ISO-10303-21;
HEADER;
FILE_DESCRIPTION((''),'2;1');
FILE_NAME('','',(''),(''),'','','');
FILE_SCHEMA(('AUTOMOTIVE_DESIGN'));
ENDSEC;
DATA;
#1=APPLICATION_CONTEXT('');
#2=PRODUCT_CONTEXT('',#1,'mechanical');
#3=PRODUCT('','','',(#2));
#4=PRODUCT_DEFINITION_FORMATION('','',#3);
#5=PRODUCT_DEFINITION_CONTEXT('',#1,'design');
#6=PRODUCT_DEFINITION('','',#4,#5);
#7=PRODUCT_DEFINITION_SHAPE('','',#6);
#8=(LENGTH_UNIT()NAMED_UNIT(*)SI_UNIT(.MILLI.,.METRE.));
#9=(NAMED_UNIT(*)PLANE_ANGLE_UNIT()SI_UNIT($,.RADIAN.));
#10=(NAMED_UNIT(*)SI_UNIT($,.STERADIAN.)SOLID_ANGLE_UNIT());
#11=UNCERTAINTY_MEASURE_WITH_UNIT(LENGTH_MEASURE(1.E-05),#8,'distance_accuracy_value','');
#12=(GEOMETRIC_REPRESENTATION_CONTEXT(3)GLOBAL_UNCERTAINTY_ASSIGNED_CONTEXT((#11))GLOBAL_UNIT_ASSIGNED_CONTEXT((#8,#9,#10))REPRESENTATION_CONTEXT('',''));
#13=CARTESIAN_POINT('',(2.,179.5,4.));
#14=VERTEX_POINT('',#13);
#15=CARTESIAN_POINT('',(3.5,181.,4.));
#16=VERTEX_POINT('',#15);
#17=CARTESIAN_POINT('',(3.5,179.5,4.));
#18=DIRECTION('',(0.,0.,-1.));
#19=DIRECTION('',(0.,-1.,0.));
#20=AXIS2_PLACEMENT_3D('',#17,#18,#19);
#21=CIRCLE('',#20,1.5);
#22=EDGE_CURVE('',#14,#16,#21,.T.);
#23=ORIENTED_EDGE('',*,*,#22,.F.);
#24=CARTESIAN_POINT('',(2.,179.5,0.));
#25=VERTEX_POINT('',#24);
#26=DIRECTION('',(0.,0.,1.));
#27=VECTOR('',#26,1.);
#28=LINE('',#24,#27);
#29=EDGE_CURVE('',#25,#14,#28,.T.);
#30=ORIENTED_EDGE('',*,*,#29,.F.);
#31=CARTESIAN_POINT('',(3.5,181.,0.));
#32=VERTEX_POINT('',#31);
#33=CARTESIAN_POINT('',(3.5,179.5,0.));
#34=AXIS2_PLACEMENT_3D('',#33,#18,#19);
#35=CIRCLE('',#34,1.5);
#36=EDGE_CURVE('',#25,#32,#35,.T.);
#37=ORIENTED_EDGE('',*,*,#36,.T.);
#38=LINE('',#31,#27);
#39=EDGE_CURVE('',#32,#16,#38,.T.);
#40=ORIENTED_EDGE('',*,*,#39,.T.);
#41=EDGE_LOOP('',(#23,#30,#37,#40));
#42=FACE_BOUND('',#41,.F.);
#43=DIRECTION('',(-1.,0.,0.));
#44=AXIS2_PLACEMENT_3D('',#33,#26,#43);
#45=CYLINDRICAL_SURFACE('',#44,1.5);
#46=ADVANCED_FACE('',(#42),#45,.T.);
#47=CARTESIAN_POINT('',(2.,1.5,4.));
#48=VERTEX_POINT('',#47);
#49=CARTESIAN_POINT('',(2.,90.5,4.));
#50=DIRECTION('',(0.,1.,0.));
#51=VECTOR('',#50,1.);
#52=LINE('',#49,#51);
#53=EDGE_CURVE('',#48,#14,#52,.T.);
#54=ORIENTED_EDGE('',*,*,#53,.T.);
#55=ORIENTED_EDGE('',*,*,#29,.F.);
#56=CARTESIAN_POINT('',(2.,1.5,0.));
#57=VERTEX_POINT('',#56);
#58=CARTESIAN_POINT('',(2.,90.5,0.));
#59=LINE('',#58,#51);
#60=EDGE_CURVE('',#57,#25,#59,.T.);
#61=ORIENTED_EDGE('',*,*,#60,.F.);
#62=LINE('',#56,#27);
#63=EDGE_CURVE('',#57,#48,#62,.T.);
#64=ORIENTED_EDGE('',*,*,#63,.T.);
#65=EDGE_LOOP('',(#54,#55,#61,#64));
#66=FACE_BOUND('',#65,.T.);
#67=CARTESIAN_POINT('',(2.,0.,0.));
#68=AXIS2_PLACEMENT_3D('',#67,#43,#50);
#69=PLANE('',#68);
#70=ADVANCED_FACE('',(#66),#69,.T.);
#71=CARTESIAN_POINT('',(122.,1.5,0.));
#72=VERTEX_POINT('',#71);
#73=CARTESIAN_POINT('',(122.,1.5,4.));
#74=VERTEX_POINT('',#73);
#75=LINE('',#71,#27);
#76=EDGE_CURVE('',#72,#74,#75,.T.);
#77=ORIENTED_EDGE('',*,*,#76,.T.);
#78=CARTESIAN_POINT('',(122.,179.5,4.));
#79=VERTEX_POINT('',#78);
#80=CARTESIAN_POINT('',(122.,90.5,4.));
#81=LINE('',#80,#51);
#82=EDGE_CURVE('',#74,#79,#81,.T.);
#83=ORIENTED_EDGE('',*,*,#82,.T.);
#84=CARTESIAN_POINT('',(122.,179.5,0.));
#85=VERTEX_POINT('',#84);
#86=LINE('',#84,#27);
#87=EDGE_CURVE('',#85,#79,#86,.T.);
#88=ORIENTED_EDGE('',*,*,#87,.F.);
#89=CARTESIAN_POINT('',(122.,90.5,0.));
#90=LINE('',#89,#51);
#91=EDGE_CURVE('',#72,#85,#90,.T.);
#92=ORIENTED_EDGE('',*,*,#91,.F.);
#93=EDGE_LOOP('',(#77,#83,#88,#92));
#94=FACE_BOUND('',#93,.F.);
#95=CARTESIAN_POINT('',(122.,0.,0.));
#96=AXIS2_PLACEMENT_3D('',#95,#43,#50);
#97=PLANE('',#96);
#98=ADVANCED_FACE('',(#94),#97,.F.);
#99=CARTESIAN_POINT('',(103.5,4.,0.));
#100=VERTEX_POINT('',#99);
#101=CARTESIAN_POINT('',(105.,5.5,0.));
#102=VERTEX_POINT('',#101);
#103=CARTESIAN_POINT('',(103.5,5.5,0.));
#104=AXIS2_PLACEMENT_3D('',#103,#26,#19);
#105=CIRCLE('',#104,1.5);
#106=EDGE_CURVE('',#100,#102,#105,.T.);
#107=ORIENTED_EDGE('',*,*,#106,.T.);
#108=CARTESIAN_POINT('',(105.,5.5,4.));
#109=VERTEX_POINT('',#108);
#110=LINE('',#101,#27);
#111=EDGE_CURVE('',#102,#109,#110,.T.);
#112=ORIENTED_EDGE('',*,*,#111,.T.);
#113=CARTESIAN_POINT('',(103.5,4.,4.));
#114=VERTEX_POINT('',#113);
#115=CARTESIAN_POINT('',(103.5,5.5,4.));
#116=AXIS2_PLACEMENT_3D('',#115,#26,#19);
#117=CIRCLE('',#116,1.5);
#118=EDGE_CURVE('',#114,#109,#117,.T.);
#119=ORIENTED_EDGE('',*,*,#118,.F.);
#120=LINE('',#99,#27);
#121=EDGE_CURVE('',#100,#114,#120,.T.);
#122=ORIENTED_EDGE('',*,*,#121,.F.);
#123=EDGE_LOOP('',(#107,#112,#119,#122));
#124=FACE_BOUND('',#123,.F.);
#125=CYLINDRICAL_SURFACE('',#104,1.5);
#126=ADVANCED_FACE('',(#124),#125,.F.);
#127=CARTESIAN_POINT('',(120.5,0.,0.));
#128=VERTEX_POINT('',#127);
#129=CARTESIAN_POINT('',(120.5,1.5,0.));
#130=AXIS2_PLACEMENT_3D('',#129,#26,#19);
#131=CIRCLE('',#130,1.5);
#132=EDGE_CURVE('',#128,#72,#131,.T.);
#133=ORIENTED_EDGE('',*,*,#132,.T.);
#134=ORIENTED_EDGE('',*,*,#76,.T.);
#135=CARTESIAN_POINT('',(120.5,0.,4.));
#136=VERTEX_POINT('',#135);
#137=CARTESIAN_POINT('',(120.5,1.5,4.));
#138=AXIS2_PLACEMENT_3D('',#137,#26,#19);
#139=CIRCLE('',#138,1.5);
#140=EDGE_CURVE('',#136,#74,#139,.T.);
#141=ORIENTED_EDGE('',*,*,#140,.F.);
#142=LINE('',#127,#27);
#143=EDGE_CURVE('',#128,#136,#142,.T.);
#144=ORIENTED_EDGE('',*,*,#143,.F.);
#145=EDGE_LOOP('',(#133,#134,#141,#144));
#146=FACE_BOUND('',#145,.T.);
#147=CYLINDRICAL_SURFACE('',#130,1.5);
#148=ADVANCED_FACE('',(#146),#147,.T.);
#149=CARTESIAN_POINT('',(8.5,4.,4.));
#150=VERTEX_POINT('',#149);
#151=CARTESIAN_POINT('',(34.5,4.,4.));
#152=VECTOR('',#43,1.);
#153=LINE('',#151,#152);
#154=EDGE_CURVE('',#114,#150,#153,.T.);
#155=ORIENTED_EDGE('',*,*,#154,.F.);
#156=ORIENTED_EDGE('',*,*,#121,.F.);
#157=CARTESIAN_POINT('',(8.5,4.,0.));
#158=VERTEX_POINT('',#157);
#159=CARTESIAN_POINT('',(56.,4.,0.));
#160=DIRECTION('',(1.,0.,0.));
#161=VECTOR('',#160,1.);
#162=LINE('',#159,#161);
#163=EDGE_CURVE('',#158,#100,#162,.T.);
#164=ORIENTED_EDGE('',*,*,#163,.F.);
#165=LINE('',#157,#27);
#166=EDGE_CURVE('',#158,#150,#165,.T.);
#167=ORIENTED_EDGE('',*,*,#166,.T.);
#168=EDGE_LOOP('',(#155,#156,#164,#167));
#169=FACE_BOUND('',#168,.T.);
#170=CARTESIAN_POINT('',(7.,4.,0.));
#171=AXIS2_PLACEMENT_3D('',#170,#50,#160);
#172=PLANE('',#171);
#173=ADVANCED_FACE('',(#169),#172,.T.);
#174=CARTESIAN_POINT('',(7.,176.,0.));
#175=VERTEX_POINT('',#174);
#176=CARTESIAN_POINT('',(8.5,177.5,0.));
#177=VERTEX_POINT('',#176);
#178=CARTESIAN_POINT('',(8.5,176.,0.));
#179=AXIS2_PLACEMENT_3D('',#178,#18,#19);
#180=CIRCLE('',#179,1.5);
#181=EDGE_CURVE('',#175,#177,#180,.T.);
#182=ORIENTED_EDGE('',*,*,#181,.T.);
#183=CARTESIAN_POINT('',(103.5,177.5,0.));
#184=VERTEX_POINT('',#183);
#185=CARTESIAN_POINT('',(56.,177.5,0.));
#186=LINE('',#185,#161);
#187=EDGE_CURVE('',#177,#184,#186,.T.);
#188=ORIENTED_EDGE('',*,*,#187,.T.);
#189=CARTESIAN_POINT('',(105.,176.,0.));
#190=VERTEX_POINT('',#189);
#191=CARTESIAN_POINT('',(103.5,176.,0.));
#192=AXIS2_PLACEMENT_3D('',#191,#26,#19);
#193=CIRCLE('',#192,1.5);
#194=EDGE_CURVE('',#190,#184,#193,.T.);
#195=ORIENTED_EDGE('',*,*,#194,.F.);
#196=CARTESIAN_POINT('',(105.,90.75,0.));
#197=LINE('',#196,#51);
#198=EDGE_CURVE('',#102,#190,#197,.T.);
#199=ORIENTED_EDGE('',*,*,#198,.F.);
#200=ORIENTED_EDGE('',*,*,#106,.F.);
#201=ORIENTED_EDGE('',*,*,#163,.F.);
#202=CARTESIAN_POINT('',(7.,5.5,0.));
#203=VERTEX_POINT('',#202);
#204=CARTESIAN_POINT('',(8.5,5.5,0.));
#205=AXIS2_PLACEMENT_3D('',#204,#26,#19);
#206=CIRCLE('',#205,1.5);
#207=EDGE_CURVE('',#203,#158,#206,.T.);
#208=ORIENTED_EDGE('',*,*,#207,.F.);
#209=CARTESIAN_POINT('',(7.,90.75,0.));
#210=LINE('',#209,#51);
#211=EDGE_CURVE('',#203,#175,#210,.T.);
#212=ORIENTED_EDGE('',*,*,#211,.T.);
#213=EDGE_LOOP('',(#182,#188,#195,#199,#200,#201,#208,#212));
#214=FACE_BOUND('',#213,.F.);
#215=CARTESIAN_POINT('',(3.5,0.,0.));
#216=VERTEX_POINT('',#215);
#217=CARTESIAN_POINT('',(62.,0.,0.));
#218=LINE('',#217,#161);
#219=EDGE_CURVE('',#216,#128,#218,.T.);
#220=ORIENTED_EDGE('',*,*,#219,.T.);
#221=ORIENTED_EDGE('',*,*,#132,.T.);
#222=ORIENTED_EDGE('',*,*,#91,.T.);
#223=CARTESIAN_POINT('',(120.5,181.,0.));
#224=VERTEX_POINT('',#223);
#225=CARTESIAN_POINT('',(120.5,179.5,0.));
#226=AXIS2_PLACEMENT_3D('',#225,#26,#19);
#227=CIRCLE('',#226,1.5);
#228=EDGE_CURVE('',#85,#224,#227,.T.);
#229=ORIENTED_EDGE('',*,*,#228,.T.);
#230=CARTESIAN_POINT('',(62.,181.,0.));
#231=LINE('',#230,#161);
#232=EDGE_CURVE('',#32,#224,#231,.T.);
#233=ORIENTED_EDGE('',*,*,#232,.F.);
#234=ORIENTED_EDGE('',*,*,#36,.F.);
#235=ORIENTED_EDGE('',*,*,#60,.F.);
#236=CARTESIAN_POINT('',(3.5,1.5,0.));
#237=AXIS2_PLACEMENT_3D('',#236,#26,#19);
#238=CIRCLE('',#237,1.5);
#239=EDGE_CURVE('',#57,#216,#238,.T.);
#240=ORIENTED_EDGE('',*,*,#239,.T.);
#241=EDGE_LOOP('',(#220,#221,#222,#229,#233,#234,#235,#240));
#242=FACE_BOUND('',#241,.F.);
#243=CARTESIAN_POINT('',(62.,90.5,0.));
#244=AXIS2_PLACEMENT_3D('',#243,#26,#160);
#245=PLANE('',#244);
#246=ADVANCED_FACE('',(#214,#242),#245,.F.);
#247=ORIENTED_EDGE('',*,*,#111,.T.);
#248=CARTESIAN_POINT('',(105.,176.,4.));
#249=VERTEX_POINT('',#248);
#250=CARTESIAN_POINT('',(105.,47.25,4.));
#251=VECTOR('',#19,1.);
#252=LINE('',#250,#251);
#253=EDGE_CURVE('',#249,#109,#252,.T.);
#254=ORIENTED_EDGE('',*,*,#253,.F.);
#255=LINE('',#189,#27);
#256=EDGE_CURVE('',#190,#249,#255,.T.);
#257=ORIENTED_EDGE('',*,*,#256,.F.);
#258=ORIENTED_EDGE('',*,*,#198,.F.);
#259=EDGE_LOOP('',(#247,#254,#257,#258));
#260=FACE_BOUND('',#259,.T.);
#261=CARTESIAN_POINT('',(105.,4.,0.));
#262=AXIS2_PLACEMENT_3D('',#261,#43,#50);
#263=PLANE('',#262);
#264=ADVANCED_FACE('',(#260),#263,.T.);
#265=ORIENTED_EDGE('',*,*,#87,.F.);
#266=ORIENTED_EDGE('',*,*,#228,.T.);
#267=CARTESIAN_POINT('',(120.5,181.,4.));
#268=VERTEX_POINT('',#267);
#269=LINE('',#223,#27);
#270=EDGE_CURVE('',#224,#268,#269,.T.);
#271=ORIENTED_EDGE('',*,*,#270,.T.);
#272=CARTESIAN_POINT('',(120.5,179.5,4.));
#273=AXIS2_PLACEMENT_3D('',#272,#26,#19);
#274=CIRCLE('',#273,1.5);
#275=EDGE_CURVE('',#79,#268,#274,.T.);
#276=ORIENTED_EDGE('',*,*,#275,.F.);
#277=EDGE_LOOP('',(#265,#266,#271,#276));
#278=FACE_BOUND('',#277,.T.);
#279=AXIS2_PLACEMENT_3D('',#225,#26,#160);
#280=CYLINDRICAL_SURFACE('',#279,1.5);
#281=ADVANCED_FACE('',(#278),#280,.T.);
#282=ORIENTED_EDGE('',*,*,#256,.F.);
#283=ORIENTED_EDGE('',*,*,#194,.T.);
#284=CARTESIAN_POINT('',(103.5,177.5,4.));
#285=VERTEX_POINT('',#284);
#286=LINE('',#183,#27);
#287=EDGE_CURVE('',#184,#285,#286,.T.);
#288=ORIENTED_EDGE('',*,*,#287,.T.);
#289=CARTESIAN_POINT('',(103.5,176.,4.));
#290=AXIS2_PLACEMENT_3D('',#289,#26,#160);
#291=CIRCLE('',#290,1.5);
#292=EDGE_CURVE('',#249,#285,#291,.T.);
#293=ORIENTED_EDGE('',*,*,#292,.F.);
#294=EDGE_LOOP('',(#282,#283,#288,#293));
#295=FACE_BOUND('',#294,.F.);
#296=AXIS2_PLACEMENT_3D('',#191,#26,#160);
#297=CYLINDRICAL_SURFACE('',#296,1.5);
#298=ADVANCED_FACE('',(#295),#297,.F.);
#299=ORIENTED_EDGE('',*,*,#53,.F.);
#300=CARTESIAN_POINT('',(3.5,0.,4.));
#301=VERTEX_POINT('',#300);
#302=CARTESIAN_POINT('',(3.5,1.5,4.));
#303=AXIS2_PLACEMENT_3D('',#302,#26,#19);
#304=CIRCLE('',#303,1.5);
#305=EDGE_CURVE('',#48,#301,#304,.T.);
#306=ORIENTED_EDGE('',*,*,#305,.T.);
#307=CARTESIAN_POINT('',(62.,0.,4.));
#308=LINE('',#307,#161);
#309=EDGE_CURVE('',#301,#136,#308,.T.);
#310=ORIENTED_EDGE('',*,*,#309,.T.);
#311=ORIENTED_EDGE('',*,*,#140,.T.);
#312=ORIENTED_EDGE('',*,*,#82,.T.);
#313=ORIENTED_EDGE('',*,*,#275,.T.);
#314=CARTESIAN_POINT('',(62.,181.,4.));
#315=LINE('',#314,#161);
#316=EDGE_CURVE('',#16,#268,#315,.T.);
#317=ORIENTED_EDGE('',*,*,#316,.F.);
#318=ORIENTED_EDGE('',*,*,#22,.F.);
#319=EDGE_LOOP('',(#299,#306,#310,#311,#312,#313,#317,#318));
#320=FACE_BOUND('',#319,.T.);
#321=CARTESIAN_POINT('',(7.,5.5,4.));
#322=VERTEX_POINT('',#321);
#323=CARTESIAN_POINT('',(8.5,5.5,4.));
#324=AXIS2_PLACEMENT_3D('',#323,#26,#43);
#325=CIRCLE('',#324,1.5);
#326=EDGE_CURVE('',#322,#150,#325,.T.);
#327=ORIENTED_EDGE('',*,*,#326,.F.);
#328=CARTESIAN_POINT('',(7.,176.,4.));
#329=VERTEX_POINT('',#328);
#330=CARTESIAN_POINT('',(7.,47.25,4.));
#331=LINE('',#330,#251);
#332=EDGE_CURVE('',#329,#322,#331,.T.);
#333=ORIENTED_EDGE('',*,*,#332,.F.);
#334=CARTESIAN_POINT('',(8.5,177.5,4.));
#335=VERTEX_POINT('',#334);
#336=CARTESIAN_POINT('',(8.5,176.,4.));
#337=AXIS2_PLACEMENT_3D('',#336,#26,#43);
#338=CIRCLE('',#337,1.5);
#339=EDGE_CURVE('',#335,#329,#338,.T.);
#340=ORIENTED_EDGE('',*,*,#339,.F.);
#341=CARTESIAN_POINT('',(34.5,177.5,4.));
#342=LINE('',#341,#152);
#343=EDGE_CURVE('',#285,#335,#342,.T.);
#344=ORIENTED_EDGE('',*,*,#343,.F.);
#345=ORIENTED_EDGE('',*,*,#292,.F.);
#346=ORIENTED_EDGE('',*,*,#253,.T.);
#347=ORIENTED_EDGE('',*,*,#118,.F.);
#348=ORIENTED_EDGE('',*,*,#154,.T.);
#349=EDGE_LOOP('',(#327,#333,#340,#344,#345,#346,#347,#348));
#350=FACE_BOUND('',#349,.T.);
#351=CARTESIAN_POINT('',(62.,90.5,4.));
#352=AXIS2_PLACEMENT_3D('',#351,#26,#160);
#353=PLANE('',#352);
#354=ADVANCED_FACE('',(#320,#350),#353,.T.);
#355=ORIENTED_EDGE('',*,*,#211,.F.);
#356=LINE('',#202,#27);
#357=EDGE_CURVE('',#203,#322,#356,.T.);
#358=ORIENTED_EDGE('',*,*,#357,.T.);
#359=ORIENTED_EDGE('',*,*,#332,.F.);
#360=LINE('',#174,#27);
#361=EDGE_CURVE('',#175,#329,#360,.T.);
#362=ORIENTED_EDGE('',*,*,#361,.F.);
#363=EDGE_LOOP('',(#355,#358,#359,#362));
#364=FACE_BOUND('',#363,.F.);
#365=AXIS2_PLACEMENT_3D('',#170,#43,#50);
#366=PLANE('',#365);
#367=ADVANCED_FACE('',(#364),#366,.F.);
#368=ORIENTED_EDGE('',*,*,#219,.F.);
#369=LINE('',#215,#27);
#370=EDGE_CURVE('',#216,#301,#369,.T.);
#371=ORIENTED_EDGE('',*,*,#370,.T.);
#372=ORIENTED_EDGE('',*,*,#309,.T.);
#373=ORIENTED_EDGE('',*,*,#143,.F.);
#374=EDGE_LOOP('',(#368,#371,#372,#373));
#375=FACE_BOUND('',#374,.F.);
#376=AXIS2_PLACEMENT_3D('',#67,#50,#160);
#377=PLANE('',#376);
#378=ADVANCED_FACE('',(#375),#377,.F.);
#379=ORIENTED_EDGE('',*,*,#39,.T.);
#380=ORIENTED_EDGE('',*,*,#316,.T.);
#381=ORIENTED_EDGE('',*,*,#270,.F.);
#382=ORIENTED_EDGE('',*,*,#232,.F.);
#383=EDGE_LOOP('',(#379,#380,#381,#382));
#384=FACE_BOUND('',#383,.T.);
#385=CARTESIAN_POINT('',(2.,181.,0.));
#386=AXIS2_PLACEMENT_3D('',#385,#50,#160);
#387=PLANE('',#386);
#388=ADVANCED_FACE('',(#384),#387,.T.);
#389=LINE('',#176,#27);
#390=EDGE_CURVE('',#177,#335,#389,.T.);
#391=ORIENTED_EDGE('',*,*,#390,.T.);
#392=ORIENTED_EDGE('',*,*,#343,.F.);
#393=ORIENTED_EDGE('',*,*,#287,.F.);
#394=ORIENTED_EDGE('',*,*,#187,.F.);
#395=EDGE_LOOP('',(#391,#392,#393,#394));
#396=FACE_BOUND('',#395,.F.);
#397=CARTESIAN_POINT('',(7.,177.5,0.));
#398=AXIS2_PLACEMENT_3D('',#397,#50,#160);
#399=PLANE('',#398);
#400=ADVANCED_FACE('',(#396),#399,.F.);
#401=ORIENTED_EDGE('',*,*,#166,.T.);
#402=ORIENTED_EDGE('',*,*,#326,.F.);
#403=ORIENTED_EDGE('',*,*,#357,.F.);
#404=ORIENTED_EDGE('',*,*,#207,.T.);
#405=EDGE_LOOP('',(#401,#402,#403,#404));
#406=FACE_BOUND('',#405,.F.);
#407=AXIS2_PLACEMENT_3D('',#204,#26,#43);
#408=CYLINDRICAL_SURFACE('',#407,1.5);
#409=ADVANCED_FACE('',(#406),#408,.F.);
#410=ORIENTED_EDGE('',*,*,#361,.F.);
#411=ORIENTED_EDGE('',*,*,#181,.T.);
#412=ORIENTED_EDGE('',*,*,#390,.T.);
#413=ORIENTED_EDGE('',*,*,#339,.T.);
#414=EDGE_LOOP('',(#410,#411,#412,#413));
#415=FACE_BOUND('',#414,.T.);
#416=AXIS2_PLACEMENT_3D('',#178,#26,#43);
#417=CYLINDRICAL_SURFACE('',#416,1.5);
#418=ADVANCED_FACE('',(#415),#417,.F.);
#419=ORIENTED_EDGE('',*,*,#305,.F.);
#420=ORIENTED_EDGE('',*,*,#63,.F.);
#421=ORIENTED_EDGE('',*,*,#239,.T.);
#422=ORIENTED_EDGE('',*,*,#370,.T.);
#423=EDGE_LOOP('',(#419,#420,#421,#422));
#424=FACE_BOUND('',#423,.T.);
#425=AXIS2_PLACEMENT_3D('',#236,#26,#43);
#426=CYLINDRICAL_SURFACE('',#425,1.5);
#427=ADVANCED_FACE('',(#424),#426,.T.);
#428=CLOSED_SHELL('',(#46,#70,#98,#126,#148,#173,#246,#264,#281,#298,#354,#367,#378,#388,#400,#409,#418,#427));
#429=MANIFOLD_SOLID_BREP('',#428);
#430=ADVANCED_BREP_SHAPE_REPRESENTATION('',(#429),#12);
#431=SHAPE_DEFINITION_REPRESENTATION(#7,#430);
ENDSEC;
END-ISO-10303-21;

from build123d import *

# Parameters (mm, degrees)
BOX001_W     = 98
BOX001_H     = 173.5
BOX001_DEPTH = 10
FILLET_R     = 1.5
BOX_W        = 120
BOX_H        = 181
BOX_DEPTH    = 4
FILLET001_R  = 1.5


with BuildPart() as fillet_body:
    # Box001 → Box001 (new body)
    with BuildSketch(Plane(origin=(7, 4, 0), x_dir=(1, 0, 0), z_dir=(0, 0, 1))):
        with Locations((49, 86.75)):
            Rectangle(BOX001_W, BOX001_H)
    extrude(amount=BOX001_DEPTH)

    # Fillet
    fillet_edges = [fillet_body.edges().sort_by_distance(p)[0] for p in [
        (7, 4, 5),
        (7, 177.5, 5),
        (105, 4, 5),
        (105, 177.5, 5),
    ]]
    fillet(fillet_edges, radius=FILLET_R)


with BuildPart() as cut:
    # Box → Box (new body)
    with BuildSketch(Plane(origin=(2, 0, 0), x_dir=(1, 0, 0), z_dir=(0, 0, 1))):
        with Locations((60, 90.5)):
            Rectangle(BOX_W, BOX_H)
    extrude(amount=BOX_DEPTH)

    # Fillet001
    fillet001_edges = [cut.edges().sort_by_distance(p)[0] for p in [
        (2, 0, 2),
        (2, 181, 2),
        (122, 0, 2),
        (122, 181, 2),
    ]]
    fillet(fillet001_edges, radius=FILLET001_R)

    # Cut: cut Fillet body
    add(fillet_body.part, mode=Mode.SUBTRACT)


solid = cut.part
